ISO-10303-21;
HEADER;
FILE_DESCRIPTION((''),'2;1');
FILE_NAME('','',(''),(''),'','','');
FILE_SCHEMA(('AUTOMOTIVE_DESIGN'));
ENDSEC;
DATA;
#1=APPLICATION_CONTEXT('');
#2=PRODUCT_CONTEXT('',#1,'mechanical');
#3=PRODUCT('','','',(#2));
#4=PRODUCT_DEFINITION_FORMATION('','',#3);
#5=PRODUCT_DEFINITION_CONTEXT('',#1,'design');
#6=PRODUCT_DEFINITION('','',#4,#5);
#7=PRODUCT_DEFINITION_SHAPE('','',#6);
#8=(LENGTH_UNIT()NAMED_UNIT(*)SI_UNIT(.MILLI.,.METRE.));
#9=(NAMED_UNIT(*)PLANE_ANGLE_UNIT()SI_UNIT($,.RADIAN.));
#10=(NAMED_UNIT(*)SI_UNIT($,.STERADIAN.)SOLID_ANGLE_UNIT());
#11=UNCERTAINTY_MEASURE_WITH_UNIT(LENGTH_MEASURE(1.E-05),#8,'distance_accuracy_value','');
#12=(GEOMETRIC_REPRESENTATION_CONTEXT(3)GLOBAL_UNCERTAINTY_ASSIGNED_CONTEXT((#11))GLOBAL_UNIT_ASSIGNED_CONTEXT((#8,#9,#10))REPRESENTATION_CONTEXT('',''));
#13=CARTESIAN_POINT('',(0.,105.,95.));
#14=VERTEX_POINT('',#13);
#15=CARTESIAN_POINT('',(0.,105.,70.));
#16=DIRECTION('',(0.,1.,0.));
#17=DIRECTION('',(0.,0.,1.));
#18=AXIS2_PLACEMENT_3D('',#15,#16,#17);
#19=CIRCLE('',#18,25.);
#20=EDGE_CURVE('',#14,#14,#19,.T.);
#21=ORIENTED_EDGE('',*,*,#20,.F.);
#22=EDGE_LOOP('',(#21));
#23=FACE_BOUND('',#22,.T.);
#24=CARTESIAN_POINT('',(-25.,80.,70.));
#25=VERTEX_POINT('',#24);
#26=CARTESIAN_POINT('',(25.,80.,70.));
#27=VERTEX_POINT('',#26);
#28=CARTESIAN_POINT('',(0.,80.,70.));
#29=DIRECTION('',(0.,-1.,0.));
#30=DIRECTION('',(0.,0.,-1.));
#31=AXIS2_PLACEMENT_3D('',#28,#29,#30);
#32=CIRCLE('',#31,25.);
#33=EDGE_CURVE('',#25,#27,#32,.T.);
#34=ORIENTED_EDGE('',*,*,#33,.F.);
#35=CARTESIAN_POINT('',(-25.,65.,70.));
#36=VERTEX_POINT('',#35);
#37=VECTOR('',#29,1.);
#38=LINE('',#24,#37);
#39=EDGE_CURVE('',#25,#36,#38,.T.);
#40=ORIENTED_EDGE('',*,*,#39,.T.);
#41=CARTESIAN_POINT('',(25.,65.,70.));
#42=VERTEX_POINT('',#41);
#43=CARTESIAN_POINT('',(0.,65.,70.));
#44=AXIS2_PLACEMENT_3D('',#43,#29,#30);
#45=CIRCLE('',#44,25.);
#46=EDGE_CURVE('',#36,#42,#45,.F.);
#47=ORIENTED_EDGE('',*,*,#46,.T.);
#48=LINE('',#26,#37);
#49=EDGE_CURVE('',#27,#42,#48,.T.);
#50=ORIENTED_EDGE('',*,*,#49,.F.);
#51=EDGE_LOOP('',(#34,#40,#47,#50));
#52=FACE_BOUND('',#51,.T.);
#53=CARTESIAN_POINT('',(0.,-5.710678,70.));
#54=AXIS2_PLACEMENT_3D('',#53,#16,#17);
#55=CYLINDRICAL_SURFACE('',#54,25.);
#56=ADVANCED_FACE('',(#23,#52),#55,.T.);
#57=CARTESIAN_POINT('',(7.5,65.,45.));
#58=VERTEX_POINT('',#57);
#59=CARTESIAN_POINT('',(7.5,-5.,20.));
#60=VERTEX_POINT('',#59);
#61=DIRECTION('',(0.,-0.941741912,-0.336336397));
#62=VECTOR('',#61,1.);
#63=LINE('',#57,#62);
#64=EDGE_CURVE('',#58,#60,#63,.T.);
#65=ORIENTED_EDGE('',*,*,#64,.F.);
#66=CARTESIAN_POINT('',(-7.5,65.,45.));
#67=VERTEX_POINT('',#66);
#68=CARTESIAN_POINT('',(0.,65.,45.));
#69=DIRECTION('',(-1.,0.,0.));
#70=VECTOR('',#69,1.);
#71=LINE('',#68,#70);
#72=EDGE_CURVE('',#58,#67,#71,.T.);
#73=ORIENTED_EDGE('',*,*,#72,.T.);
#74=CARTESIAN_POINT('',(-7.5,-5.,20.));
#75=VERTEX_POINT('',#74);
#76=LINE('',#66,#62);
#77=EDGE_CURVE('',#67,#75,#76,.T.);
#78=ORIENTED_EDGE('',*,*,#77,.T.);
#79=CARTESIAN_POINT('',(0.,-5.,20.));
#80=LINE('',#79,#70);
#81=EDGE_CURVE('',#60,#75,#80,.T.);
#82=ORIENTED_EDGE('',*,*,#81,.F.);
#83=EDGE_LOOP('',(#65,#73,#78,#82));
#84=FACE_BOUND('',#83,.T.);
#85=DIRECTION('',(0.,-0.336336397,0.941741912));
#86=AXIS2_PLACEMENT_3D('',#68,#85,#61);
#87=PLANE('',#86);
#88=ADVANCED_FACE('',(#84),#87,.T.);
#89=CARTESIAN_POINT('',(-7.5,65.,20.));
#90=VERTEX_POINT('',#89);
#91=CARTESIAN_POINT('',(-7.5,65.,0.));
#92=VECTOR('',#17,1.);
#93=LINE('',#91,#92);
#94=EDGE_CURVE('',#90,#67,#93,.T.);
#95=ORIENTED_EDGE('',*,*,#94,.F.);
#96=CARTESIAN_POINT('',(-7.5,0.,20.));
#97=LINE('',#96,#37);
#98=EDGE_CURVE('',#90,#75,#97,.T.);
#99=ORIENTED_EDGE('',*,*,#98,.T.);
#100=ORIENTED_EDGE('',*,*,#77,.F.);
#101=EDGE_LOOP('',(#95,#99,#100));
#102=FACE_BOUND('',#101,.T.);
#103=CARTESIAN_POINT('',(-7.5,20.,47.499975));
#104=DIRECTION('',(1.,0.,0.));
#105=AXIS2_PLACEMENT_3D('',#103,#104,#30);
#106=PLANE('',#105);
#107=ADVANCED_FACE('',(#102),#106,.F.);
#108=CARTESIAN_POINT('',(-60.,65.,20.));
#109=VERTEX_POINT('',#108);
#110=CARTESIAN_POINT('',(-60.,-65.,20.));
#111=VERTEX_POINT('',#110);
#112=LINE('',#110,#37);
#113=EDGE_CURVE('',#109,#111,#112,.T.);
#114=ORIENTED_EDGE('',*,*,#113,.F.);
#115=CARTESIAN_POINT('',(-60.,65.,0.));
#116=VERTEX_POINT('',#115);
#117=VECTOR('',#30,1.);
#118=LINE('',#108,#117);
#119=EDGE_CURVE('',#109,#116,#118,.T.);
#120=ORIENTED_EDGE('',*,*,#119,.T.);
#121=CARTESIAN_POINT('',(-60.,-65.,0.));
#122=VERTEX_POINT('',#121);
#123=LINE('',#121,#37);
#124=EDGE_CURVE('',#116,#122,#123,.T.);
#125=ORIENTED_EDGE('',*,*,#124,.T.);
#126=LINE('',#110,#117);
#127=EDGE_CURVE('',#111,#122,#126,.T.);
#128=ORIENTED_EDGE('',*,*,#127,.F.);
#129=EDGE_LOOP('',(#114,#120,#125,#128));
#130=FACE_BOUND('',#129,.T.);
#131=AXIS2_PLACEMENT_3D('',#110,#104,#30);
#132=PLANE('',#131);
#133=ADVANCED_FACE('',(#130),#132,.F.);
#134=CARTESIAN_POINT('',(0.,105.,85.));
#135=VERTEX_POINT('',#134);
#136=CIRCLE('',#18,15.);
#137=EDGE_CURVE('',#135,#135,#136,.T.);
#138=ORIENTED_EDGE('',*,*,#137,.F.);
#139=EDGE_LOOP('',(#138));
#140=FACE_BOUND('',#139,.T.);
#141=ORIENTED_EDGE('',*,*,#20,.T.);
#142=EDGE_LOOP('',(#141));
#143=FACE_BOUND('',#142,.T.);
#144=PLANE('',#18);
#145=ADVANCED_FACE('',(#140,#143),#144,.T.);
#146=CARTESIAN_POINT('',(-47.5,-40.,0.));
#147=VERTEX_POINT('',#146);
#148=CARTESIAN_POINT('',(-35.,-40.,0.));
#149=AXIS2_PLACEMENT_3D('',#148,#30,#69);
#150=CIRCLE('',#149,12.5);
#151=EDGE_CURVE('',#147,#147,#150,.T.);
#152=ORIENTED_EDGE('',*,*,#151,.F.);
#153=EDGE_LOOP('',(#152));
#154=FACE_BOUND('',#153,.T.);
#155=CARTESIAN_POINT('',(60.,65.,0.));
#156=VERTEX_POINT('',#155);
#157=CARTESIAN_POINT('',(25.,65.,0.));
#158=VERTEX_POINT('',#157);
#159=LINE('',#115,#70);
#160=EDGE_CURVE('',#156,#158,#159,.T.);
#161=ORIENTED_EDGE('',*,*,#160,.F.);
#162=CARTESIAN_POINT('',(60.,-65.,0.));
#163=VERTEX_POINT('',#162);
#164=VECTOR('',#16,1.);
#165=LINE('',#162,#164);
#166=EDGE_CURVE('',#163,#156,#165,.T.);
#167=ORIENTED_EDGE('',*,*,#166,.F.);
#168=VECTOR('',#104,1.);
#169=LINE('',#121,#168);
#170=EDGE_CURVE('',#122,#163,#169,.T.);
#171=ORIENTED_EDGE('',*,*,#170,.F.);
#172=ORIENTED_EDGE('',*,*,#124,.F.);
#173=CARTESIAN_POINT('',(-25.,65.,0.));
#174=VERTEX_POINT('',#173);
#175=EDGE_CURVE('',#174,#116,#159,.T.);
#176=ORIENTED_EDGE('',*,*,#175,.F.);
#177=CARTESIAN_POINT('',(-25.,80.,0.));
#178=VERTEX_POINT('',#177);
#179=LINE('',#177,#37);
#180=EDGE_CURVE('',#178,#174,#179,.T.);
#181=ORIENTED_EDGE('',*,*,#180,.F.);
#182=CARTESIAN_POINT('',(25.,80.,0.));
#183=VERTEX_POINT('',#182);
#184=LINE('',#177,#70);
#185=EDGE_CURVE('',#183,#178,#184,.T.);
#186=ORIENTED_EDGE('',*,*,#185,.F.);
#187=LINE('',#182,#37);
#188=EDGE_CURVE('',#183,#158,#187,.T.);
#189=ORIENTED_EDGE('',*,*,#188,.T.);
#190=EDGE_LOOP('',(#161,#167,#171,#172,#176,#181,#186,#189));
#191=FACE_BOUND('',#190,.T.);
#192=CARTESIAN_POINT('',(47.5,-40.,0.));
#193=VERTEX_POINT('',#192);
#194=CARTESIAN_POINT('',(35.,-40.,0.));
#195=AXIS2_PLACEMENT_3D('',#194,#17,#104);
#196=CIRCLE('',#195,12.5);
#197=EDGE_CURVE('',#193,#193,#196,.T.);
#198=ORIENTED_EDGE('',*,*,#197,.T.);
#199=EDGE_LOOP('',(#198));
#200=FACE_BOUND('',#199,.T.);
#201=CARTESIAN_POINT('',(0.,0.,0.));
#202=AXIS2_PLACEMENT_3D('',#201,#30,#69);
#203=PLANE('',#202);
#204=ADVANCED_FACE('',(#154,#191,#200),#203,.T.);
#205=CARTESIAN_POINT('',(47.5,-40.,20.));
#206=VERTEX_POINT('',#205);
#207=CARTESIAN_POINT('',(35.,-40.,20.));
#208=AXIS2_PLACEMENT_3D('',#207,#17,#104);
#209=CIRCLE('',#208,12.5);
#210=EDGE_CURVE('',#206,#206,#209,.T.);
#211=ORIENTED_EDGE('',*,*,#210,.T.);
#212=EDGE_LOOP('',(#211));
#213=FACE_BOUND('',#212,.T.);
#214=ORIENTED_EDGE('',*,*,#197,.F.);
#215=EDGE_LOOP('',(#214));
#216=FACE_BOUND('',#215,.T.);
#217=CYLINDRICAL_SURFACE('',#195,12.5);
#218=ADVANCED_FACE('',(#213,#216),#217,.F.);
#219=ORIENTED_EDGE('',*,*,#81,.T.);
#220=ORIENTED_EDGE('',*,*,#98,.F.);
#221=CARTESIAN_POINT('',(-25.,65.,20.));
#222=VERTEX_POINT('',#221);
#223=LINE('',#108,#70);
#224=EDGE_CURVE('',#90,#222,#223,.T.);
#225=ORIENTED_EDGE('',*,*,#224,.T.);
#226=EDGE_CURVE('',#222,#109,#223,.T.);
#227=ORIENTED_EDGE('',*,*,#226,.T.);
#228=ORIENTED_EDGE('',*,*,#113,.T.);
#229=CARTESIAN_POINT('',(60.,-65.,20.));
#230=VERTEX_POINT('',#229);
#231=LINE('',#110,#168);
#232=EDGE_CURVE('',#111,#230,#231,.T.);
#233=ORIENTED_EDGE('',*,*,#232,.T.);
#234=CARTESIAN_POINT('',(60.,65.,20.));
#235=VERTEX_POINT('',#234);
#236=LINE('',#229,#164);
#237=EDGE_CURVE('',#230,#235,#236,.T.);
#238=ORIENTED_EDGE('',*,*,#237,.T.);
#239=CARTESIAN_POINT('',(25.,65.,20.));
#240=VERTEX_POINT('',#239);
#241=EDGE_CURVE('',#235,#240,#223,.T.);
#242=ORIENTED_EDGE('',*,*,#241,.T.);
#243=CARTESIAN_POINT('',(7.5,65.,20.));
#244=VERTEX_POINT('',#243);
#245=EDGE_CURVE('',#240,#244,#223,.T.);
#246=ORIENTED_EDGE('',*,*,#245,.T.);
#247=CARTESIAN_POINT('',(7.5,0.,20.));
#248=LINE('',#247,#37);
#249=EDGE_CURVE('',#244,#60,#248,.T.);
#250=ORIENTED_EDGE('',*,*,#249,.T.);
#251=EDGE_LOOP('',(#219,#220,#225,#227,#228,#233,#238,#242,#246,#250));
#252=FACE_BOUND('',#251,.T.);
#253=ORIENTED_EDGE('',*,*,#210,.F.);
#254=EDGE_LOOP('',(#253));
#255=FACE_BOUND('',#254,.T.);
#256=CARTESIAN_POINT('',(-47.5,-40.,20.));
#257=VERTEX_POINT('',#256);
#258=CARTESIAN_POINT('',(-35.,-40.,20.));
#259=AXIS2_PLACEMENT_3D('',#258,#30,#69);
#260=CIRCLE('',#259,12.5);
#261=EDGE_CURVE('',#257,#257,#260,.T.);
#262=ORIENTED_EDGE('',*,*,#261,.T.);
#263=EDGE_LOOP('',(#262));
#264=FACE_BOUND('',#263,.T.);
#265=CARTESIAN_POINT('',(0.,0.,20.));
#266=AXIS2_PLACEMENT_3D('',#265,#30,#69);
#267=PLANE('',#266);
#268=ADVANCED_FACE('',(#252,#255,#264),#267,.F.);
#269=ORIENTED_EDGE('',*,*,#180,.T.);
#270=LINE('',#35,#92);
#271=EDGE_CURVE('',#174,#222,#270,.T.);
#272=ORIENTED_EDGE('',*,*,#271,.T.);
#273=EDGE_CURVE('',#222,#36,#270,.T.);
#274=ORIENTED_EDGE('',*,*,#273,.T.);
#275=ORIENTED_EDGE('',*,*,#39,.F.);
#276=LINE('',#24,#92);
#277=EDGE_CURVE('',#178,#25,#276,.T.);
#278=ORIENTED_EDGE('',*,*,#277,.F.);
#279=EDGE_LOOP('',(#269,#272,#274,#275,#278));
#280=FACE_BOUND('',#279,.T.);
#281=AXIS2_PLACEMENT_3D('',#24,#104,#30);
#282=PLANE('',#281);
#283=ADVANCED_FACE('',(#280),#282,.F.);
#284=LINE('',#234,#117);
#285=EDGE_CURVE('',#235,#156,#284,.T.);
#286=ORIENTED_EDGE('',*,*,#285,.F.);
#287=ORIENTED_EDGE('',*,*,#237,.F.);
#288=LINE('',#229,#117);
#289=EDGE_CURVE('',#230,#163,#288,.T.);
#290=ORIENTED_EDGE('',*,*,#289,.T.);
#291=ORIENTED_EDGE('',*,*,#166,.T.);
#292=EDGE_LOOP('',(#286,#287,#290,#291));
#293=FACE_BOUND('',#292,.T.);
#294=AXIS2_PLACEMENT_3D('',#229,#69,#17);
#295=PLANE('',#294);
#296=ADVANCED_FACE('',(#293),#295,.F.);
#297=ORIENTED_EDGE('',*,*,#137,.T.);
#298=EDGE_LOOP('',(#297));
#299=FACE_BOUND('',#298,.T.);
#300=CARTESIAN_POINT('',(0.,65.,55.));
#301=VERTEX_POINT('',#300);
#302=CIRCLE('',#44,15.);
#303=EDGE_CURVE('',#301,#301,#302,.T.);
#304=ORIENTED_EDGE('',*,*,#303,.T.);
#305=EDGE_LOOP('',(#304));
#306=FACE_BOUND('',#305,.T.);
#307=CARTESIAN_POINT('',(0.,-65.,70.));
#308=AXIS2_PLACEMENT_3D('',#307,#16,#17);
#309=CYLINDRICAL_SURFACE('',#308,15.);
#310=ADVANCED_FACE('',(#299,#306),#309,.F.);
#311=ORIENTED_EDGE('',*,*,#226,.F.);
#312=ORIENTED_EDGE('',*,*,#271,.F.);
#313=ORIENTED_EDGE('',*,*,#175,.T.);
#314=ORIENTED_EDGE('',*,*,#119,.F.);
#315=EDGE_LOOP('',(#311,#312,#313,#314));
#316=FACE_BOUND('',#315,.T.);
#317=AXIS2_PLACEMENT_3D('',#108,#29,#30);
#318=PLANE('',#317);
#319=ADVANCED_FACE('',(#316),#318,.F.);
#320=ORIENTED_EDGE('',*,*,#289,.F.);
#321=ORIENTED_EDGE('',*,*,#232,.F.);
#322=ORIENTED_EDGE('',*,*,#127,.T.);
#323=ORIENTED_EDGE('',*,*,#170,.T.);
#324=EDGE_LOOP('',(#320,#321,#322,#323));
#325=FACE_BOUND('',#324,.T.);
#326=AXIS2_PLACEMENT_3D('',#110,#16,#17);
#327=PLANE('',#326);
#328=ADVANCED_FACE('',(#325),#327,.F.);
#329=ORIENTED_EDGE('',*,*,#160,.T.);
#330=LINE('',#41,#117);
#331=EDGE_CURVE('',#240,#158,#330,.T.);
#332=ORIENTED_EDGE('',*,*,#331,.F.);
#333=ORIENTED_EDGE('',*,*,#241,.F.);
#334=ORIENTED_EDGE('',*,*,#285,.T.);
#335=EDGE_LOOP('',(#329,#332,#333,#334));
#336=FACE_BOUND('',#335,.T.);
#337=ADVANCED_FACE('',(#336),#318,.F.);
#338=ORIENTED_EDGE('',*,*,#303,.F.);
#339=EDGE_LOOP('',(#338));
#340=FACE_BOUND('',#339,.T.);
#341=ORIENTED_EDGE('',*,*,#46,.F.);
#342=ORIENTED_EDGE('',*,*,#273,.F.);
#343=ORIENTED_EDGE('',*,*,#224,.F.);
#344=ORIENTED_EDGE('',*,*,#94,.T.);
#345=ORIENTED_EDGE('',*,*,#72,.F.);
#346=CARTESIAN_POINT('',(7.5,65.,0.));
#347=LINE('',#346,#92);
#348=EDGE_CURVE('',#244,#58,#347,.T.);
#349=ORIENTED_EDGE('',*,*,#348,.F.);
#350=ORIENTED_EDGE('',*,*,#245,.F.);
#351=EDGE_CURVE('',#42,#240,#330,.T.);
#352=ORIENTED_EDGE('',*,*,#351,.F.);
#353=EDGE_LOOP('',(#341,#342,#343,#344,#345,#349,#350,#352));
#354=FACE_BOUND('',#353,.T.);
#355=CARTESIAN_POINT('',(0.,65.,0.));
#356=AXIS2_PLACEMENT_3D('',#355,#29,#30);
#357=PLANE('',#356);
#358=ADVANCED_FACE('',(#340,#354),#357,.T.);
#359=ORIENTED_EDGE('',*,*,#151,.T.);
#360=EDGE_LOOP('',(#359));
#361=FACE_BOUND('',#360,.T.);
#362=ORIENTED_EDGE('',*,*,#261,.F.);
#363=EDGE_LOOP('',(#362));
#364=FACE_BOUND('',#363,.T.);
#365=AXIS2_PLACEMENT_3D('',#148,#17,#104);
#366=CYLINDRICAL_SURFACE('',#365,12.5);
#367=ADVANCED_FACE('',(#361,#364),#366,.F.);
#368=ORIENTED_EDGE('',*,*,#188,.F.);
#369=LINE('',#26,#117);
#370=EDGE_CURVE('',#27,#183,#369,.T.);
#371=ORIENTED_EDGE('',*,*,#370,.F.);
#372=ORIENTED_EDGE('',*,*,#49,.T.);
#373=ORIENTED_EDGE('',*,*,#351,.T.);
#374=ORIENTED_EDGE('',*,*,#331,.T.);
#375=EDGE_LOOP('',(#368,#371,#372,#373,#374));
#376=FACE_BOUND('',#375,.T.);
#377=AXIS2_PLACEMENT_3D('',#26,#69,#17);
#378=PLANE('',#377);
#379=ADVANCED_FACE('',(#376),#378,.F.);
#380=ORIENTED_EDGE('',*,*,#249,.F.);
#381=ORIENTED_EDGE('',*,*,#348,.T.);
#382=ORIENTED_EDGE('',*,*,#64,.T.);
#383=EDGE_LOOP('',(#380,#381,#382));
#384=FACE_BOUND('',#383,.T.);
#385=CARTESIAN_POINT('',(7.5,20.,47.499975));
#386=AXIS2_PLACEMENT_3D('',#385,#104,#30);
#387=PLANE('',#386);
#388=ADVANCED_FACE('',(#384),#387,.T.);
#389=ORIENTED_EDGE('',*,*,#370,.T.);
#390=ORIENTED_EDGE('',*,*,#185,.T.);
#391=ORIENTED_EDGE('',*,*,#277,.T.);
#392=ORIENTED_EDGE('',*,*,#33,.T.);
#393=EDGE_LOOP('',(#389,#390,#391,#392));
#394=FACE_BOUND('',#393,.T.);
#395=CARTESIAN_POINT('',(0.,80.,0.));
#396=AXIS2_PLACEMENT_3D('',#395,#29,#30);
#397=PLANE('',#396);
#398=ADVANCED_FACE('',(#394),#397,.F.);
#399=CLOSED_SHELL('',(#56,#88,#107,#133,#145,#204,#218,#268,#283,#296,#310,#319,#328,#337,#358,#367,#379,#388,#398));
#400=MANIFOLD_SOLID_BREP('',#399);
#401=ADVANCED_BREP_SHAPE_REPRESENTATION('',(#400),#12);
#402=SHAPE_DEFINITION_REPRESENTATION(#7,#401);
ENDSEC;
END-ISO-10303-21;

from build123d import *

# Parameters (mm, degrees)
SKETCH_1_W                  = 120
SKETCH_1_H                  = 130
EXTRUDE_1_DEPTH             = 20
SKETCH_2_R                  = 12.5
CUT_EXTRUDE_1_DEPTH         = 91.691785736
SKETCH_3_W                  = 50
SKETCH_3_H                  = 70
EXTRUDE_2_DEPTH             = 15
SKETCH_4_R                  = 25
EXTRUDE_3_DEPTH             = 25
EXTRUDE_3_DIRECTION_2_REACH = 173.828
SKETCH_5_R                  = 15
CUT_EXTRUDE_2_DEPTH         = 204.776838723
RIB_1_REACH                 = 155.786
SKETCH_6_WALL_W             = 383.901473722
SKETCH_6_WALL_H             = 15


with BuildPart() as part:
    # Эскиз1 → Бобышка-Вытянуть1 (new body)
    with BuildSketch(Plane.XY):
        Rectangle(SKETCH_1_W, SKETCH_1_H)
    extrude(amount=EXTRUDE_1_DEPTH)

    # Эскиз2 → Вырез-Вытянуть1 (cut, through all)
    with BuildSketch(Plane.XY.offset(20)):
        with Locations((35, -40)):
            Circle(SKETCH_2_R)
    cut_extrude_1 = extrude(amount=-CUT_EXTRUDE_1_DEPTH, mode=Mode.SUBTRACT)

    # Зеркальное отражение1: Вырез-Вытянуть1 across plane
    add(cut_extrude_1.mirror(Plane(origin=(0, 0, 0), x_dir=(0, 0, 1), z_dir=(1, 0, 0))), mode=Mode.SUBTRACT)

    # Эскиз3 → Бобышка-Вытянуть2 (add)
    with BuildSketch(Plane(origin=(0, 65, 0), x_dir=(1, 0, 0), z_dir=(0, 1, 0))):
        with Locations((0, -35)):
            Rectangle(SKETCH_3_W, SKETCH_3_H)
    extrude(amount=EXTRUDE_2_DEPTH)

    # Эскиз4 → Бобышка-Вытянуть3 (add)
    with BuildSketch(Plane(origin=(0, 80, 0), x_dir=(1, 0, 0), z_dir=(0, 1, 0))):
        with Locations(Location((0, -70, 0), (0, 0, 270))):
            Circle(SKETCH_4_R)
    extrude(amount=EXTRUDE_3_DEPTH)

    # Бобышка-Вытянуть3 direction 2: up to this face of the body (flat: up to its plane)
    extrude_3_direction_2_end = Plane(part.part.faces().sort_by_distance((0, 65, 45))[0])
    # Эскиз4 → Бобышка-Вытянуть3 direction 2 (add, up to the picked face)
    with BuildSketch(Plane(origin=(0, 80, 0), x_dir=(1, 0, 0), z_dir=(0, 1, 0)), mode=Mode.PRIVATE) as extrude_3_direction_2_sk1:
        with Locations(Location((0, -70, 0), (0, 0, 270))):
            Circle(SKETCH_4_R)
    extrude_3_direction_2_tool1 = split(extrude(extrude_3_direction_2_sk1.sketch, amount=-EXTRUDE_3_DIRECTION_2_REACH, mode=Mode.PRIVATE), bisect_by=extrude_3_direction_2_end, keep=Keep.BOTH, mode=Mode.PRIVATE)
    add(extrude_3_direction_2_tool1.solids().sort_by(Axis((0, 80, 70), (0, -1, 0)))[0])

    # Эскиз5 → Вырез-Вытянуть2 (cut, through all)
    with BuildSketch(Plane(origin=(0, 105, 0), x_dir=(1, 0, 0), z_dir=(0, 1, 0))):
        with Locations(Location((0, -70, 0), (0, 0, 270))):
            Circle(SKETCH_5_R)
    extrude(amount=-CUT_EXTRUDE_2_DEPTH, mode=Mode.SUBTRACT)

    # Эскиз6 wall → Ребро1 (add, up to next)
    with BuildSketch(Plane(origin=(0, 30, 32.5), x_dir=(0, -0.941741911595, -0.336336396998), z_dir=(0, 0.336336396998, -0.941741911595)), mode=Mode.PRIVATE) as rib_1_sk1:
        Rectangle(SKETCH_6_WALL_W, SKETCH_6_WALL_H)
    rib_1_tool1 = extrude(rib_1_sk1.sketch, amount=RIB_1_REACH, mode=Mode.PRIVATE) - part.part
    add(rib_1_tool1.solids().sort_by_distance((0, 30, 32.5))[0])


solid = part.part
